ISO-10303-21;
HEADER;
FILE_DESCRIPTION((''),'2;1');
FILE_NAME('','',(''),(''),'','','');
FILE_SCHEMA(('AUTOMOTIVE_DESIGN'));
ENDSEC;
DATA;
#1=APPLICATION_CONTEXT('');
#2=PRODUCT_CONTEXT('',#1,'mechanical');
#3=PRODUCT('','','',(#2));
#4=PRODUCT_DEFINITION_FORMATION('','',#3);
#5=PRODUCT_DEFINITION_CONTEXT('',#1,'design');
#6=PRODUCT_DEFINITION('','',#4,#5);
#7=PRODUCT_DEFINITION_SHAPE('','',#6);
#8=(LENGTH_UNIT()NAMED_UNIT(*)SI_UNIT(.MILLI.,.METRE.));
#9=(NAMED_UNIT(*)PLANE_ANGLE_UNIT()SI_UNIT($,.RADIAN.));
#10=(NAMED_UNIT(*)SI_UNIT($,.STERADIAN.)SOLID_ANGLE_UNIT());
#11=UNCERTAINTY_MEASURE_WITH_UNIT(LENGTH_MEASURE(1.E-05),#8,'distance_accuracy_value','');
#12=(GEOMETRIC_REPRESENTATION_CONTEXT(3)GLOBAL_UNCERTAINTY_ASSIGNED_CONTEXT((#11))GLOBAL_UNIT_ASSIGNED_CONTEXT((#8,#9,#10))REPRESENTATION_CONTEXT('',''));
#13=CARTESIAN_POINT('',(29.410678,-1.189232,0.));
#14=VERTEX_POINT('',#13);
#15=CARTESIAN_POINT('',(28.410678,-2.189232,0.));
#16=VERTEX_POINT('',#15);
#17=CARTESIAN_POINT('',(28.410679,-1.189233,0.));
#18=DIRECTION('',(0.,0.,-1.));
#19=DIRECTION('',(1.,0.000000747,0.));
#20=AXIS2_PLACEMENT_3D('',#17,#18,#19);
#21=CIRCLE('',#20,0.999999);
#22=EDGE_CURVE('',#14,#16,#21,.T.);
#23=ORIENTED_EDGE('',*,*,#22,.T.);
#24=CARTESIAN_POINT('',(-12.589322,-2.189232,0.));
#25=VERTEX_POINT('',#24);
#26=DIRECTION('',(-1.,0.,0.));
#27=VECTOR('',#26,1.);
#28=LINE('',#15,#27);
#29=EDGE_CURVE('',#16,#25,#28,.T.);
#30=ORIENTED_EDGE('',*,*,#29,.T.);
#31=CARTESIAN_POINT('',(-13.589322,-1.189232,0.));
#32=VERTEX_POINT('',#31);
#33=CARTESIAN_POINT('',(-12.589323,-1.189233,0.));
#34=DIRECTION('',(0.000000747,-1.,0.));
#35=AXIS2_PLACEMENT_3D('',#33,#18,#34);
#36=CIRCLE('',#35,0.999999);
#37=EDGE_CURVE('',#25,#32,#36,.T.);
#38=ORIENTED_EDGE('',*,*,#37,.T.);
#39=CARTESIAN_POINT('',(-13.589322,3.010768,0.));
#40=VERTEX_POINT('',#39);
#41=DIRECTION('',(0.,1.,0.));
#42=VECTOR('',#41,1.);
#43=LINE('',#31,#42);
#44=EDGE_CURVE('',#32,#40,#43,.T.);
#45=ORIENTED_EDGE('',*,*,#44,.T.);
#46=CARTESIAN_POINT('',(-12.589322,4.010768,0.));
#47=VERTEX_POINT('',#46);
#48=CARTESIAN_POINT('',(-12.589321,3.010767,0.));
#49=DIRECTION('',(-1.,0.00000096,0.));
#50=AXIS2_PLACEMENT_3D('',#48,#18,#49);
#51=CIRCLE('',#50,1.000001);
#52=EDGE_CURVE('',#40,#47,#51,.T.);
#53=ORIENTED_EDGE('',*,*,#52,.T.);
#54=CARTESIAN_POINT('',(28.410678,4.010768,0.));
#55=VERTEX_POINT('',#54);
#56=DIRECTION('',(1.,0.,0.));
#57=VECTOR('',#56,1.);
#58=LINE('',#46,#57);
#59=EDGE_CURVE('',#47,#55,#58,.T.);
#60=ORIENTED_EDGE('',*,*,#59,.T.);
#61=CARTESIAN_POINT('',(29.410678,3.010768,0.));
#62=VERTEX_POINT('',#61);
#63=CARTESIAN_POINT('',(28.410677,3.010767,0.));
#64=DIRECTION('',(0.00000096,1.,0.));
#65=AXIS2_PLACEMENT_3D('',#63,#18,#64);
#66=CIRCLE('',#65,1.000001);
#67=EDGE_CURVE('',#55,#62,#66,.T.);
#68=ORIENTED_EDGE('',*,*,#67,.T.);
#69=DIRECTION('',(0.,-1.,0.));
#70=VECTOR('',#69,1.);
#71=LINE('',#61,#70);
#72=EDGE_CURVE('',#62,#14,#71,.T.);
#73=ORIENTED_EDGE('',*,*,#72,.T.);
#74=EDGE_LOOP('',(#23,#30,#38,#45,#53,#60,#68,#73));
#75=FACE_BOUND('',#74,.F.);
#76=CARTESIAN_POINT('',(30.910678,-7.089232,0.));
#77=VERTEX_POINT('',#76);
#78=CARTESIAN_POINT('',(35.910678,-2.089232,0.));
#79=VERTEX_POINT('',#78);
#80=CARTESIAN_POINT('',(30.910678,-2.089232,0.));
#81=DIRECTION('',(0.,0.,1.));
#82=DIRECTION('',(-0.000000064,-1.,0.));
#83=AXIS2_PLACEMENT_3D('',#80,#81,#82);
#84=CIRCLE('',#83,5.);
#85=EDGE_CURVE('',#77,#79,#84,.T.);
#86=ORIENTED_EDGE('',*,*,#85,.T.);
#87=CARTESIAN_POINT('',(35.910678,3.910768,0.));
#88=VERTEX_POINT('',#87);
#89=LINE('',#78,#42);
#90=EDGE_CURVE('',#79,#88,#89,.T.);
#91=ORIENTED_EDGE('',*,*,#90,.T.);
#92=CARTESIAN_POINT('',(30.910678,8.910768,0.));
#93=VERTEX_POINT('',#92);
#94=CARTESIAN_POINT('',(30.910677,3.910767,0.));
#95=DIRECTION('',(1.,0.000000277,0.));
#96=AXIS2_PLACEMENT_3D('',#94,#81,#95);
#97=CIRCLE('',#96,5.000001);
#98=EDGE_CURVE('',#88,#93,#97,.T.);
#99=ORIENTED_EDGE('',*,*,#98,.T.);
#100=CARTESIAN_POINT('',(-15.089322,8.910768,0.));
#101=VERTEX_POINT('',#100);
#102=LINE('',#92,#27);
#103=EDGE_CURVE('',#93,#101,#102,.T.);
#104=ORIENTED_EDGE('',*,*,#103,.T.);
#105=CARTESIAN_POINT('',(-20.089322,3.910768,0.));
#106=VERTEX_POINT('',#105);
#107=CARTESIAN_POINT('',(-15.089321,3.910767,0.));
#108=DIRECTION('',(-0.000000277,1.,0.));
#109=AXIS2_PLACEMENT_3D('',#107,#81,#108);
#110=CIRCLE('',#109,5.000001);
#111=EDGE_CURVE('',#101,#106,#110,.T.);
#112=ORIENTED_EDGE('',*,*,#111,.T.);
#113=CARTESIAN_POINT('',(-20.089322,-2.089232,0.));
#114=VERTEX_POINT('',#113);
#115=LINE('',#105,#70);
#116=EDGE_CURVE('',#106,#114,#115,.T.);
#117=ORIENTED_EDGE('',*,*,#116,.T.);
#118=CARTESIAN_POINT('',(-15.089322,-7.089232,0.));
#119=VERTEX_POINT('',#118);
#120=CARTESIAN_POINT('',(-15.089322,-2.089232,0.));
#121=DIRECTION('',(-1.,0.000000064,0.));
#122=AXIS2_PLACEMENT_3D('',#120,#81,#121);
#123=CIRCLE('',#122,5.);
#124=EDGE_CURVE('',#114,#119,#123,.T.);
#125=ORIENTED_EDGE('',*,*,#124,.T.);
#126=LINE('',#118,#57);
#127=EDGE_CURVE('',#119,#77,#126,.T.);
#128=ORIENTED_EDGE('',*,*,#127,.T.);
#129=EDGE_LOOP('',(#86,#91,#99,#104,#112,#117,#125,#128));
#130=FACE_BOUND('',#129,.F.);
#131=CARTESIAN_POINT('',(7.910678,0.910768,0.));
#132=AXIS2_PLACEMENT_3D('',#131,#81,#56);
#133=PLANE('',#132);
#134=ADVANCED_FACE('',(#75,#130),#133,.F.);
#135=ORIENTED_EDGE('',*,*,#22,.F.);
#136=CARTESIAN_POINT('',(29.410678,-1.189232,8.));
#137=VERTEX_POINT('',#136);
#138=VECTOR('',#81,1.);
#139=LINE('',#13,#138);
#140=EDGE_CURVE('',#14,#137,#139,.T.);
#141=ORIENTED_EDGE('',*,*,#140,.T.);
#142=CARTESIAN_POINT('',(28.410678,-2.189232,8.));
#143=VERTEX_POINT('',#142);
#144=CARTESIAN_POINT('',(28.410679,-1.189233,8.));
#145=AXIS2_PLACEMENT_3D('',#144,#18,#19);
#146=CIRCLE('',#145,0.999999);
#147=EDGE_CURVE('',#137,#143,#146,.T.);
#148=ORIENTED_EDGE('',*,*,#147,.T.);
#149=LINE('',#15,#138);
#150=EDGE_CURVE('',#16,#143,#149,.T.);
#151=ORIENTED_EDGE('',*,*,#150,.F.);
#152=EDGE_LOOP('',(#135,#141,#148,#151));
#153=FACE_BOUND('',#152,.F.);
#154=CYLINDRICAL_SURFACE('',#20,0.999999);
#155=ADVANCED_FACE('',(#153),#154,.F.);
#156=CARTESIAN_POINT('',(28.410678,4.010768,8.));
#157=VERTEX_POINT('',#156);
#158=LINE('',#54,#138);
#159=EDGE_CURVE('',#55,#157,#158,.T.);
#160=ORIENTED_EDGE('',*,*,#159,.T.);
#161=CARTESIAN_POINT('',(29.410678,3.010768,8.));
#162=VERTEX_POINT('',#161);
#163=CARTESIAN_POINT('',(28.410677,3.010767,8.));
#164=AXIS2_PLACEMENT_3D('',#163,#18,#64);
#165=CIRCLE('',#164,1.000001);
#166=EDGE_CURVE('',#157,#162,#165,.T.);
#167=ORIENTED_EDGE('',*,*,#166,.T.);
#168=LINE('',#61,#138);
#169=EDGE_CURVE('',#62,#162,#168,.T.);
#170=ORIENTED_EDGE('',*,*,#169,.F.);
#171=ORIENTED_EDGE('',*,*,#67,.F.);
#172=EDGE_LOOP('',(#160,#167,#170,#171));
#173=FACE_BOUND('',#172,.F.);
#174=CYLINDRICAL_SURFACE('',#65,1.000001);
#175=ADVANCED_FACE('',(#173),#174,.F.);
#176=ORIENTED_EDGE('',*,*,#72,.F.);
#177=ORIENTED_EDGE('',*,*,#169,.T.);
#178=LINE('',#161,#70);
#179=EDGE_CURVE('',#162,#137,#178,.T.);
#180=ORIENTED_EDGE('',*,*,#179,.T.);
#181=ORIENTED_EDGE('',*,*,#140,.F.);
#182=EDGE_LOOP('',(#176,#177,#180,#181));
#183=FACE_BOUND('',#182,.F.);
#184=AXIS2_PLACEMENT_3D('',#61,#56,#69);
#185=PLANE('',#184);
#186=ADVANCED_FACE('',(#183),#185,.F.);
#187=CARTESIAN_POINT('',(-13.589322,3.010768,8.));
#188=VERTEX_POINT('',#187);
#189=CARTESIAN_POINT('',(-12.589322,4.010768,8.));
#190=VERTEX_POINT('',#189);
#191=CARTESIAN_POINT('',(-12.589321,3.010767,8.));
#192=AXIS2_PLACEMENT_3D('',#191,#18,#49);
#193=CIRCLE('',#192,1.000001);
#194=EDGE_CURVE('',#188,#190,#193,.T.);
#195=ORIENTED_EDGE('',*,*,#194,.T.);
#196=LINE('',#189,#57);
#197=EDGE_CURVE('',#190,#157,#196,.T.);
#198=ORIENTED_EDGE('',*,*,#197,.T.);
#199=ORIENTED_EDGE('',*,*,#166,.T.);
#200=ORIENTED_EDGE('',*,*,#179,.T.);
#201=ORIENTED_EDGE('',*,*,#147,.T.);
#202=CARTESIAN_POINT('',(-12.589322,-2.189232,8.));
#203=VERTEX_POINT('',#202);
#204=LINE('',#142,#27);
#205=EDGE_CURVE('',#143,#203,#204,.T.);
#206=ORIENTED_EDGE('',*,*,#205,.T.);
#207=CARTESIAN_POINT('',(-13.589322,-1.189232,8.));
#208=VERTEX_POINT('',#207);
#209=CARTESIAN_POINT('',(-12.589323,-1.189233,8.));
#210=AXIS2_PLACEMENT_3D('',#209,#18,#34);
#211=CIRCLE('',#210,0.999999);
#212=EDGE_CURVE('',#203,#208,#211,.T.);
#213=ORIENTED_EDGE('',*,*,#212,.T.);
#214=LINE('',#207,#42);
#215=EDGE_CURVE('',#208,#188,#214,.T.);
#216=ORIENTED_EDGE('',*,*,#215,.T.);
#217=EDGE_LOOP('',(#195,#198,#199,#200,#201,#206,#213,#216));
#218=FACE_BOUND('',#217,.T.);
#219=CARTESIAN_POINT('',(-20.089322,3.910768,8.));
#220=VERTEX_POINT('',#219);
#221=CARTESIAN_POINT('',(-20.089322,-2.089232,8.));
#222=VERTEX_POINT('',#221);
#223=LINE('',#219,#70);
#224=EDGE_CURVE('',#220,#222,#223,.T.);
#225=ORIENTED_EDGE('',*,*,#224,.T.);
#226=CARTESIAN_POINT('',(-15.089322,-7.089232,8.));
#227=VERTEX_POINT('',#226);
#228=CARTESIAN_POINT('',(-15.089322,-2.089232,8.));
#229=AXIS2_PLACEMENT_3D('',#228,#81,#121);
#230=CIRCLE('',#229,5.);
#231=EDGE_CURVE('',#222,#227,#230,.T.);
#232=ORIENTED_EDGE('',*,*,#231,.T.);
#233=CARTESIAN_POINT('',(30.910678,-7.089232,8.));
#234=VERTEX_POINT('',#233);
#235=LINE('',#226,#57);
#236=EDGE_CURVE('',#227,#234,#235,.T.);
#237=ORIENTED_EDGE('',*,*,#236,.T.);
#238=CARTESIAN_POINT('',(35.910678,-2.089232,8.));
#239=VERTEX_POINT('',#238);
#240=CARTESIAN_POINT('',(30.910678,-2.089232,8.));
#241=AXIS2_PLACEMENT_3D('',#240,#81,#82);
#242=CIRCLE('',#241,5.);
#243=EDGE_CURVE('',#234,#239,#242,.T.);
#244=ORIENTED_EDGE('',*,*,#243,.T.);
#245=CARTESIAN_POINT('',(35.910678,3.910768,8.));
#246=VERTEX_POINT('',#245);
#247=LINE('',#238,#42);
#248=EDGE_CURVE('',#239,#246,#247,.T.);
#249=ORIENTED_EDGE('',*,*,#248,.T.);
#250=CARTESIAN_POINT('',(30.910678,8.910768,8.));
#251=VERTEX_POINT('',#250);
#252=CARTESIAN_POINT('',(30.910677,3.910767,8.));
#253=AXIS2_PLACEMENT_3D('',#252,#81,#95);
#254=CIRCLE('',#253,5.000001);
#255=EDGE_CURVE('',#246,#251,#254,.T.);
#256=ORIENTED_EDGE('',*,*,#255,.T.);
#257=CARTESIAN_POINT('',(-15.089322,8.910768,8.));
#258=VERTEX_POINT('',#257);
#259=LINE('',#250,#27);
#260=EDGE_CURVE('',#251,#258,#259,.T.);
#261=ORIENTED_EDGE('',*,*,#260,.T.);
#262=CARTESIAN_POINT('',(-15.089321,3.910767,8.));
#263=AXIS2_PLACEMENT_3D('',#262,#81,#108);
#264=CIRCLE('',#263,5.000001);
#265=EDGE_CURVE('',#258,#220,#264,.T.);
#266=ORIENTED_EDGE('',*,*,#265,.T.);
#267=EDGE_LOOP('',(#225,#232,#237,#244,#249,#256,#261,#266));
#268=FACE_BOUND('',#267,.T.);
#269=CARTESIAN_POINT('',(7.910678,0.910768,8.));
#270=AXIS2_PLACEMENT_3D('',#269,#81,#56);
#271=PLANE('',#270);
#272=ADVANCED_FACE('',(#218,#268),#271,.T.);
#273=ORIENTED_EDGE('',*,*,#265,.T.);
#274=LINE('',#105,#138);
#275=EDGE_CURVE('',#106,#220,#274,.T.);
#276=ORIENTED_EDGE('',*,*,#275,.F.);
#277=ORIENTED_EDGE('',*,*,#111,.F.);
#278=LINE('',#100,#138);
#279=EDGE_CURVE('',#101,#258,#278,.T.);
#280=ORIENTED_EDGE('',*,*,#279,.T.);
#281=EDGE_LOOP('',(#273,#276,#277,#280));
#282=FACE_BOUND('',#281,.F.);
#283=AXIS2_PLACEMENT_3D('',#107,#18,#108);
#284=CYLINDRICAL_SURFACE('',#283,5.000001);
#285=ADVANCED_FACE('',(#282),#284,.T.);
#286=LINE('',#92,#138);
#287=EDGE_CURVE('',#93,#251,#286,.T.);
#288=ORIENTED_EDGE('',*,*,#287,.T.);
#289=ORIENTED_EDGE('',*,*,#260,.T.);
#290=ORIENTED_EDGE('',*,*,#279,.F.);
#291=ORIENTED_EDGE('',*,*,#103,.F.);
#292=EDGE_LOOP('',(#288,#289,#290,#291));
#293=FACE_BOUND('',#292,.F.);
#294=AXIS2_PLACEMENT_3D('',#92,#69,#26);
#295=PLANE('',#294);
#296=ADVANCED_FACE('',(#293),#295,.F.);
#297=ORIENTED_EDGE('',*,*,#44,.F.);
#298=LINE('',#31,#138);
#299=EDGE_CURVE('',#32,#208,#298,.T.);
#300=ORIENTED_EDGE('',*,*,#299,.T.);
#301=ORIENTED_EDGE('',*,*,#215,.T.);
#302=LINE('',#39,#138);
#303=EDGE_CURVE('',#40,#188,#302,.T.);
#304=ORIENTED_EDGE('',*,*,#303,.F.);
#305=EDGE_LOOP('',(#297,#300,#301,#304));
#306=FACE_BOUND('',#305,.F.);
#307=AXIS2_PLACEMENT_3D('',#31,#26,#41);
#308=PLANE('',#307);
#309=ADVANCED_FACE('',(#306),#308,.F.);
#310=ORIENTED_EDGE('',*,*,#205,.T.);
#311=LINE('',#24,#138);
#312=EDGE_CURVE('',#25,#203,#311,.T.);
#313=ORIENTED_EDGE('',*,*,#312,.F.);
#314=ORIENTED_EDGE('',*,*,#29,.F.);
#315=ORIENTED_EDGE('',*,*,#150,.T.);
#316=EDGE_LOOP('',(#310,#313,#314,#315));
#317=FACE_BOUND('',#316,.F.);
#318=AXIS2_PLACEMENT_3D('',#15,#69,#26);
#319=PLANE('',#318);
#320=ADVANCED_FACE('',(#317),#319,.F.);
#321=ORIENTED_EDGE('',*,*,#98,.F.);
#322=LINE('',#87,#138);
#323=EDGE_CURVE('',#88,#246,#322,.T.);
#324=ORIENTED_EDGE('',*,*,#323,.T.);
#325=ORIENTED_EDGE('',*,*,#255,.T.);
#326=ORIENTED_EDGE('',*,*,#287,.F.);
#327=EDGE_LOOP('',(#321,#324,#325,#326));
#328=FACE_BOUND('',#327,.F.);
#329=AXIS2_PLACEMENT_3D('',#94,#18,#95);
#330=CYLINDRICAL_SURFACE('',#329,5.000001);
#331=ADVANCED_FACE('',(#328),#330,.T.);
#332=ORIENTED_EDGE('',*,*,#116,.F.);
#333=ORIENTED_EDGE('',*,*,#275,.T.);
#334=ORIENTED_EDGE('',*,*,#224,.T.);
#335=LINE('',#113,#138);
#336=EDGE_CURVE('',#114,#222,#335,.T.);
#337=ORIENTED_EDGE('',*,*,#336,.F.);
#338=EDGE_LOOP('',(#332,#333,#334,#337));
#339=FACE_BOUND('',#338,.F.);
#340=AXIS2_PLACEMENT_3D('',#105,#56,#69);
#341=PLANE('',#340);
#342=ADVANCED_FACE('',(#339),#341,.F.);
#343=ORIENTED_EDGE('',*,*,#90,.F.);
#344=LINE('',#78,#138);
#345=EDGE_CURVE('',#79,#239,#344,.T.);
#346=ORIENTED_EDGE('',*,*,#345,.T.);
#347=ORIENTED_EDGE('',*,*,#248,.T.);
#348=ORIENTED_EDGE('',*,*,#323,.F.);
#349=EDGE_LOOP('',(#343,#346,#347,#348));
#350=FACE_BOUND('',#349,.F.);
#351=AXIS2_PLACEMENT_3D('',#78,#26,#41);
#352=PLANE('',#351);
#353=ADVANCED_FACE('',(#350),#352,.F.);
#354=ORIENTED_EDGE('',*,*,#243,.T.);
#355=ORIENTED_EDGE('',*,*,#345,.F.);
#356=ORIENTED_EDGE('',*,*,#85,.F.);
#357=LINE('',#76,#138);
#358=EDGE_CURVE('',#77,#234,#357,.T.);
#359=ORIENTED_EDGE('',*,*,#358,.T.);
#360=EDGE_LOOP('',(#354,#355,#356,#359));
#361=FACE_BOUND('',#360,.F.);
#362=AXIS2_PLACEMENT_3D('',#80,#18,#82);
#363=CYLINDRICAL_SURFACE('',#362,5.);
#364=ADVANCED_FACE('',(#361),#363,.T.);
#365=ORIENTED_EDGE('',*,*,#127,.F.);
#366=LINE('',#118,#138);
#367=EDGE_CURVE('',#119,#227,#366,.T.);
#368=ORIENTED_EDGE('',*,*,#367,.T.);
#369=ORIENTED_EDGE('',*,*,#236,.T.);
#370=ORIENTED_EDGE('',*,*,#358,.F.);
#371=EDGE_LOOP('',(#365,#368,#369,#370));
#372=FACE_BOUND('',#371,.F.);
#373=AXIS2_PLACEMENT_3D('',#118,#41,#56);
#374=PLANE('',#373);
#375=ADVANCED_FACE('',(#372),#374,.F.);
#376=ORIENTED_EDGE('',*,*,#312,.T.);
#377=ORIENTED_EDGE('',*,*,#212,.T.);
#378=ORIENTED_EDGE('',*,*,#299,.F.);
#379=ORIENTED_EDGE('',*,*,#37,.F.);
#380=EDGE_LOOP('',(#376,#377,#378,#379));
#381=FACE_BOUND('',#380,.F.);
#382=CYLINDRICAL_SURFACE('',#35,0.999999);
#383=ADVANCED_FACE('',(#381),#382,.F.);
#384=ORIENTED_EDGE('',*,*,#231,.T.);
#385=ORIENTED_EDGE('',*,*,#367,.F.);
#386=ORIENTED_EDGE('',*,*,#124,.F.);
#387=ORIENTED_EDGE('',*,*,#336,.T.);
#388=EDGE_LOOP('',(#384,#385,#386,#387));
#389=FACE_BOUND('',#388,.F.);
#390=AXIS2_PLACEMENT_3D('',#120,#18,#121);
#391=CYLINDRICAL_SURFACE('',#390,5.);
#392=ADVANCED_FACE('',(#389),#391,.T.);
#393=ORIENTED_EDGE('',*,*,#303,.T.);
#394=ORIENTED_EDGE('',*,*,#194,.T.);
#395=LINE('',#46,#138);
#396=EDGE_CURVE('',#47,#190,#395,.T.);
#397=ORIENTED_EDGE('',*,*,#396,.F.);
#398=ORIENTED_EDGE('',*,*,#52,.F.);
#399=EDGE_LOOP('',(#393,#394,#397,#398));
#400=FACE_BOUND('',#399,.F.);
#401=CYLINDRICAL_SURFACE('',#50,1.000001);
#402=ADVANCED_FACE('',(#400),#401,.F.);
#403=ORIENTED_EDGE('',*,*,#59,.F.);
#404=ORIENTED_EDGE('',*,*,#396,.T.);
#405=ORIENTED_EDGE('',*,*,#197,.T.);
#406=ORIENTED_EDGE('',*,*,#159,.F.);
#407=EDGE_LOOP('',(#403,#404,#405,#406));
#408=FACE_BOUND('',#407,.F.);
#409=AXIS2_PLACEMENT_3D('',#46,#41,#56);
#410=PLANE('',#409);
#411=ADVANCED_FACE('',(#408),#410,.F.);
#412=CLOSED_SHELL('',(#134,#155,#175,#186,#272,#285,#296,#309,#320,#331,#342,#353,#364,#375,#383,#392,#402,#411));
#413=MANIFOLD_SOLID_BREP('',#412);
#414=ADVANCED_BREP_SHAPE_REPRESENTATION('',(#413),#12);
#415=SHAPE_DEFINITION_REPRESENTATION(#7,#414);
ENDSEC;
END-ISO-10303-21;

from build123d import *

# Parameters (mm, degrees)
F1_DEPTH = 8


with BuildPart() as f1:
    # F0 (on Top) → F1 (new body)
    with BuildSketch(Plane.XY):
        with BuildLine():
            Line((30.910678, 8.910768), (-15.089322, 8.910768))
            ThreePointArc((-15.089322, 8.910768), (-18.624856, 7.446301), (-20.089322, 3.910768))
            Line((-20.089322, 3.910768), (-20.089322, 0.910768))
            Line((-20.089322, 0.910768), (-20.089322, -2.089232))
            ThreePointArc((-20.089322, -2.089232), (-18.624856, -5.624766), (-15.089322, -7.089232))
            Line((-15.089322, -7.089232), (30.910678, -7.089232))
            ThreePointArc((30.910678, -7.089232), (34.446212, -5.624766), (35.910678, -2.089232))
            Line((35.910678, -2.089232), (35.910678, 0.910768))
            Line((35.910678, 0.910768), (35.910678, 3.910768))
            ThreePointArc((35.910678, 3.910768), (34.446212, 7.446301), (30.910678, 8.910768))
        make_face()
        with BuildLine():
            Line((-13.589322, -1.189232), (-13.589322, 0.910768))
            Line((-13.589322, 0.910768), (-13.589322, 3.010768))
            ThreePointArc((-13.589322, 3.010768), (-13.296429, 3.717874), (-12.589322, 4.010768))
            Line((-12.589322, 4.010768), (28.410678, 4.010768))
            ThreePointArc((28.410678, 4.010768), (29.117785, 3.717874), (29.410678, 3.010768))
            Line((29.410678, 3.010768), (29.410678, 0.910768))
            Line((29.410678, 0.910768), (29.410678, -1.189232))
            ThreePointArc((29.410678, -1.189232), (29.117785, -1.896339), (28.410678, -2.189232))
            Line((28.410678, -2.189232), (-12.589322, -2.189232))
            ThreePointArc((-12.589322, -2.189232), (-13.296429, -1.896339), (-13.589322, -1.189232))
        make_face(mode=Mode.SUBTRACT)
    extrude(amount=F1_DEPTH)


solid = f1.part
